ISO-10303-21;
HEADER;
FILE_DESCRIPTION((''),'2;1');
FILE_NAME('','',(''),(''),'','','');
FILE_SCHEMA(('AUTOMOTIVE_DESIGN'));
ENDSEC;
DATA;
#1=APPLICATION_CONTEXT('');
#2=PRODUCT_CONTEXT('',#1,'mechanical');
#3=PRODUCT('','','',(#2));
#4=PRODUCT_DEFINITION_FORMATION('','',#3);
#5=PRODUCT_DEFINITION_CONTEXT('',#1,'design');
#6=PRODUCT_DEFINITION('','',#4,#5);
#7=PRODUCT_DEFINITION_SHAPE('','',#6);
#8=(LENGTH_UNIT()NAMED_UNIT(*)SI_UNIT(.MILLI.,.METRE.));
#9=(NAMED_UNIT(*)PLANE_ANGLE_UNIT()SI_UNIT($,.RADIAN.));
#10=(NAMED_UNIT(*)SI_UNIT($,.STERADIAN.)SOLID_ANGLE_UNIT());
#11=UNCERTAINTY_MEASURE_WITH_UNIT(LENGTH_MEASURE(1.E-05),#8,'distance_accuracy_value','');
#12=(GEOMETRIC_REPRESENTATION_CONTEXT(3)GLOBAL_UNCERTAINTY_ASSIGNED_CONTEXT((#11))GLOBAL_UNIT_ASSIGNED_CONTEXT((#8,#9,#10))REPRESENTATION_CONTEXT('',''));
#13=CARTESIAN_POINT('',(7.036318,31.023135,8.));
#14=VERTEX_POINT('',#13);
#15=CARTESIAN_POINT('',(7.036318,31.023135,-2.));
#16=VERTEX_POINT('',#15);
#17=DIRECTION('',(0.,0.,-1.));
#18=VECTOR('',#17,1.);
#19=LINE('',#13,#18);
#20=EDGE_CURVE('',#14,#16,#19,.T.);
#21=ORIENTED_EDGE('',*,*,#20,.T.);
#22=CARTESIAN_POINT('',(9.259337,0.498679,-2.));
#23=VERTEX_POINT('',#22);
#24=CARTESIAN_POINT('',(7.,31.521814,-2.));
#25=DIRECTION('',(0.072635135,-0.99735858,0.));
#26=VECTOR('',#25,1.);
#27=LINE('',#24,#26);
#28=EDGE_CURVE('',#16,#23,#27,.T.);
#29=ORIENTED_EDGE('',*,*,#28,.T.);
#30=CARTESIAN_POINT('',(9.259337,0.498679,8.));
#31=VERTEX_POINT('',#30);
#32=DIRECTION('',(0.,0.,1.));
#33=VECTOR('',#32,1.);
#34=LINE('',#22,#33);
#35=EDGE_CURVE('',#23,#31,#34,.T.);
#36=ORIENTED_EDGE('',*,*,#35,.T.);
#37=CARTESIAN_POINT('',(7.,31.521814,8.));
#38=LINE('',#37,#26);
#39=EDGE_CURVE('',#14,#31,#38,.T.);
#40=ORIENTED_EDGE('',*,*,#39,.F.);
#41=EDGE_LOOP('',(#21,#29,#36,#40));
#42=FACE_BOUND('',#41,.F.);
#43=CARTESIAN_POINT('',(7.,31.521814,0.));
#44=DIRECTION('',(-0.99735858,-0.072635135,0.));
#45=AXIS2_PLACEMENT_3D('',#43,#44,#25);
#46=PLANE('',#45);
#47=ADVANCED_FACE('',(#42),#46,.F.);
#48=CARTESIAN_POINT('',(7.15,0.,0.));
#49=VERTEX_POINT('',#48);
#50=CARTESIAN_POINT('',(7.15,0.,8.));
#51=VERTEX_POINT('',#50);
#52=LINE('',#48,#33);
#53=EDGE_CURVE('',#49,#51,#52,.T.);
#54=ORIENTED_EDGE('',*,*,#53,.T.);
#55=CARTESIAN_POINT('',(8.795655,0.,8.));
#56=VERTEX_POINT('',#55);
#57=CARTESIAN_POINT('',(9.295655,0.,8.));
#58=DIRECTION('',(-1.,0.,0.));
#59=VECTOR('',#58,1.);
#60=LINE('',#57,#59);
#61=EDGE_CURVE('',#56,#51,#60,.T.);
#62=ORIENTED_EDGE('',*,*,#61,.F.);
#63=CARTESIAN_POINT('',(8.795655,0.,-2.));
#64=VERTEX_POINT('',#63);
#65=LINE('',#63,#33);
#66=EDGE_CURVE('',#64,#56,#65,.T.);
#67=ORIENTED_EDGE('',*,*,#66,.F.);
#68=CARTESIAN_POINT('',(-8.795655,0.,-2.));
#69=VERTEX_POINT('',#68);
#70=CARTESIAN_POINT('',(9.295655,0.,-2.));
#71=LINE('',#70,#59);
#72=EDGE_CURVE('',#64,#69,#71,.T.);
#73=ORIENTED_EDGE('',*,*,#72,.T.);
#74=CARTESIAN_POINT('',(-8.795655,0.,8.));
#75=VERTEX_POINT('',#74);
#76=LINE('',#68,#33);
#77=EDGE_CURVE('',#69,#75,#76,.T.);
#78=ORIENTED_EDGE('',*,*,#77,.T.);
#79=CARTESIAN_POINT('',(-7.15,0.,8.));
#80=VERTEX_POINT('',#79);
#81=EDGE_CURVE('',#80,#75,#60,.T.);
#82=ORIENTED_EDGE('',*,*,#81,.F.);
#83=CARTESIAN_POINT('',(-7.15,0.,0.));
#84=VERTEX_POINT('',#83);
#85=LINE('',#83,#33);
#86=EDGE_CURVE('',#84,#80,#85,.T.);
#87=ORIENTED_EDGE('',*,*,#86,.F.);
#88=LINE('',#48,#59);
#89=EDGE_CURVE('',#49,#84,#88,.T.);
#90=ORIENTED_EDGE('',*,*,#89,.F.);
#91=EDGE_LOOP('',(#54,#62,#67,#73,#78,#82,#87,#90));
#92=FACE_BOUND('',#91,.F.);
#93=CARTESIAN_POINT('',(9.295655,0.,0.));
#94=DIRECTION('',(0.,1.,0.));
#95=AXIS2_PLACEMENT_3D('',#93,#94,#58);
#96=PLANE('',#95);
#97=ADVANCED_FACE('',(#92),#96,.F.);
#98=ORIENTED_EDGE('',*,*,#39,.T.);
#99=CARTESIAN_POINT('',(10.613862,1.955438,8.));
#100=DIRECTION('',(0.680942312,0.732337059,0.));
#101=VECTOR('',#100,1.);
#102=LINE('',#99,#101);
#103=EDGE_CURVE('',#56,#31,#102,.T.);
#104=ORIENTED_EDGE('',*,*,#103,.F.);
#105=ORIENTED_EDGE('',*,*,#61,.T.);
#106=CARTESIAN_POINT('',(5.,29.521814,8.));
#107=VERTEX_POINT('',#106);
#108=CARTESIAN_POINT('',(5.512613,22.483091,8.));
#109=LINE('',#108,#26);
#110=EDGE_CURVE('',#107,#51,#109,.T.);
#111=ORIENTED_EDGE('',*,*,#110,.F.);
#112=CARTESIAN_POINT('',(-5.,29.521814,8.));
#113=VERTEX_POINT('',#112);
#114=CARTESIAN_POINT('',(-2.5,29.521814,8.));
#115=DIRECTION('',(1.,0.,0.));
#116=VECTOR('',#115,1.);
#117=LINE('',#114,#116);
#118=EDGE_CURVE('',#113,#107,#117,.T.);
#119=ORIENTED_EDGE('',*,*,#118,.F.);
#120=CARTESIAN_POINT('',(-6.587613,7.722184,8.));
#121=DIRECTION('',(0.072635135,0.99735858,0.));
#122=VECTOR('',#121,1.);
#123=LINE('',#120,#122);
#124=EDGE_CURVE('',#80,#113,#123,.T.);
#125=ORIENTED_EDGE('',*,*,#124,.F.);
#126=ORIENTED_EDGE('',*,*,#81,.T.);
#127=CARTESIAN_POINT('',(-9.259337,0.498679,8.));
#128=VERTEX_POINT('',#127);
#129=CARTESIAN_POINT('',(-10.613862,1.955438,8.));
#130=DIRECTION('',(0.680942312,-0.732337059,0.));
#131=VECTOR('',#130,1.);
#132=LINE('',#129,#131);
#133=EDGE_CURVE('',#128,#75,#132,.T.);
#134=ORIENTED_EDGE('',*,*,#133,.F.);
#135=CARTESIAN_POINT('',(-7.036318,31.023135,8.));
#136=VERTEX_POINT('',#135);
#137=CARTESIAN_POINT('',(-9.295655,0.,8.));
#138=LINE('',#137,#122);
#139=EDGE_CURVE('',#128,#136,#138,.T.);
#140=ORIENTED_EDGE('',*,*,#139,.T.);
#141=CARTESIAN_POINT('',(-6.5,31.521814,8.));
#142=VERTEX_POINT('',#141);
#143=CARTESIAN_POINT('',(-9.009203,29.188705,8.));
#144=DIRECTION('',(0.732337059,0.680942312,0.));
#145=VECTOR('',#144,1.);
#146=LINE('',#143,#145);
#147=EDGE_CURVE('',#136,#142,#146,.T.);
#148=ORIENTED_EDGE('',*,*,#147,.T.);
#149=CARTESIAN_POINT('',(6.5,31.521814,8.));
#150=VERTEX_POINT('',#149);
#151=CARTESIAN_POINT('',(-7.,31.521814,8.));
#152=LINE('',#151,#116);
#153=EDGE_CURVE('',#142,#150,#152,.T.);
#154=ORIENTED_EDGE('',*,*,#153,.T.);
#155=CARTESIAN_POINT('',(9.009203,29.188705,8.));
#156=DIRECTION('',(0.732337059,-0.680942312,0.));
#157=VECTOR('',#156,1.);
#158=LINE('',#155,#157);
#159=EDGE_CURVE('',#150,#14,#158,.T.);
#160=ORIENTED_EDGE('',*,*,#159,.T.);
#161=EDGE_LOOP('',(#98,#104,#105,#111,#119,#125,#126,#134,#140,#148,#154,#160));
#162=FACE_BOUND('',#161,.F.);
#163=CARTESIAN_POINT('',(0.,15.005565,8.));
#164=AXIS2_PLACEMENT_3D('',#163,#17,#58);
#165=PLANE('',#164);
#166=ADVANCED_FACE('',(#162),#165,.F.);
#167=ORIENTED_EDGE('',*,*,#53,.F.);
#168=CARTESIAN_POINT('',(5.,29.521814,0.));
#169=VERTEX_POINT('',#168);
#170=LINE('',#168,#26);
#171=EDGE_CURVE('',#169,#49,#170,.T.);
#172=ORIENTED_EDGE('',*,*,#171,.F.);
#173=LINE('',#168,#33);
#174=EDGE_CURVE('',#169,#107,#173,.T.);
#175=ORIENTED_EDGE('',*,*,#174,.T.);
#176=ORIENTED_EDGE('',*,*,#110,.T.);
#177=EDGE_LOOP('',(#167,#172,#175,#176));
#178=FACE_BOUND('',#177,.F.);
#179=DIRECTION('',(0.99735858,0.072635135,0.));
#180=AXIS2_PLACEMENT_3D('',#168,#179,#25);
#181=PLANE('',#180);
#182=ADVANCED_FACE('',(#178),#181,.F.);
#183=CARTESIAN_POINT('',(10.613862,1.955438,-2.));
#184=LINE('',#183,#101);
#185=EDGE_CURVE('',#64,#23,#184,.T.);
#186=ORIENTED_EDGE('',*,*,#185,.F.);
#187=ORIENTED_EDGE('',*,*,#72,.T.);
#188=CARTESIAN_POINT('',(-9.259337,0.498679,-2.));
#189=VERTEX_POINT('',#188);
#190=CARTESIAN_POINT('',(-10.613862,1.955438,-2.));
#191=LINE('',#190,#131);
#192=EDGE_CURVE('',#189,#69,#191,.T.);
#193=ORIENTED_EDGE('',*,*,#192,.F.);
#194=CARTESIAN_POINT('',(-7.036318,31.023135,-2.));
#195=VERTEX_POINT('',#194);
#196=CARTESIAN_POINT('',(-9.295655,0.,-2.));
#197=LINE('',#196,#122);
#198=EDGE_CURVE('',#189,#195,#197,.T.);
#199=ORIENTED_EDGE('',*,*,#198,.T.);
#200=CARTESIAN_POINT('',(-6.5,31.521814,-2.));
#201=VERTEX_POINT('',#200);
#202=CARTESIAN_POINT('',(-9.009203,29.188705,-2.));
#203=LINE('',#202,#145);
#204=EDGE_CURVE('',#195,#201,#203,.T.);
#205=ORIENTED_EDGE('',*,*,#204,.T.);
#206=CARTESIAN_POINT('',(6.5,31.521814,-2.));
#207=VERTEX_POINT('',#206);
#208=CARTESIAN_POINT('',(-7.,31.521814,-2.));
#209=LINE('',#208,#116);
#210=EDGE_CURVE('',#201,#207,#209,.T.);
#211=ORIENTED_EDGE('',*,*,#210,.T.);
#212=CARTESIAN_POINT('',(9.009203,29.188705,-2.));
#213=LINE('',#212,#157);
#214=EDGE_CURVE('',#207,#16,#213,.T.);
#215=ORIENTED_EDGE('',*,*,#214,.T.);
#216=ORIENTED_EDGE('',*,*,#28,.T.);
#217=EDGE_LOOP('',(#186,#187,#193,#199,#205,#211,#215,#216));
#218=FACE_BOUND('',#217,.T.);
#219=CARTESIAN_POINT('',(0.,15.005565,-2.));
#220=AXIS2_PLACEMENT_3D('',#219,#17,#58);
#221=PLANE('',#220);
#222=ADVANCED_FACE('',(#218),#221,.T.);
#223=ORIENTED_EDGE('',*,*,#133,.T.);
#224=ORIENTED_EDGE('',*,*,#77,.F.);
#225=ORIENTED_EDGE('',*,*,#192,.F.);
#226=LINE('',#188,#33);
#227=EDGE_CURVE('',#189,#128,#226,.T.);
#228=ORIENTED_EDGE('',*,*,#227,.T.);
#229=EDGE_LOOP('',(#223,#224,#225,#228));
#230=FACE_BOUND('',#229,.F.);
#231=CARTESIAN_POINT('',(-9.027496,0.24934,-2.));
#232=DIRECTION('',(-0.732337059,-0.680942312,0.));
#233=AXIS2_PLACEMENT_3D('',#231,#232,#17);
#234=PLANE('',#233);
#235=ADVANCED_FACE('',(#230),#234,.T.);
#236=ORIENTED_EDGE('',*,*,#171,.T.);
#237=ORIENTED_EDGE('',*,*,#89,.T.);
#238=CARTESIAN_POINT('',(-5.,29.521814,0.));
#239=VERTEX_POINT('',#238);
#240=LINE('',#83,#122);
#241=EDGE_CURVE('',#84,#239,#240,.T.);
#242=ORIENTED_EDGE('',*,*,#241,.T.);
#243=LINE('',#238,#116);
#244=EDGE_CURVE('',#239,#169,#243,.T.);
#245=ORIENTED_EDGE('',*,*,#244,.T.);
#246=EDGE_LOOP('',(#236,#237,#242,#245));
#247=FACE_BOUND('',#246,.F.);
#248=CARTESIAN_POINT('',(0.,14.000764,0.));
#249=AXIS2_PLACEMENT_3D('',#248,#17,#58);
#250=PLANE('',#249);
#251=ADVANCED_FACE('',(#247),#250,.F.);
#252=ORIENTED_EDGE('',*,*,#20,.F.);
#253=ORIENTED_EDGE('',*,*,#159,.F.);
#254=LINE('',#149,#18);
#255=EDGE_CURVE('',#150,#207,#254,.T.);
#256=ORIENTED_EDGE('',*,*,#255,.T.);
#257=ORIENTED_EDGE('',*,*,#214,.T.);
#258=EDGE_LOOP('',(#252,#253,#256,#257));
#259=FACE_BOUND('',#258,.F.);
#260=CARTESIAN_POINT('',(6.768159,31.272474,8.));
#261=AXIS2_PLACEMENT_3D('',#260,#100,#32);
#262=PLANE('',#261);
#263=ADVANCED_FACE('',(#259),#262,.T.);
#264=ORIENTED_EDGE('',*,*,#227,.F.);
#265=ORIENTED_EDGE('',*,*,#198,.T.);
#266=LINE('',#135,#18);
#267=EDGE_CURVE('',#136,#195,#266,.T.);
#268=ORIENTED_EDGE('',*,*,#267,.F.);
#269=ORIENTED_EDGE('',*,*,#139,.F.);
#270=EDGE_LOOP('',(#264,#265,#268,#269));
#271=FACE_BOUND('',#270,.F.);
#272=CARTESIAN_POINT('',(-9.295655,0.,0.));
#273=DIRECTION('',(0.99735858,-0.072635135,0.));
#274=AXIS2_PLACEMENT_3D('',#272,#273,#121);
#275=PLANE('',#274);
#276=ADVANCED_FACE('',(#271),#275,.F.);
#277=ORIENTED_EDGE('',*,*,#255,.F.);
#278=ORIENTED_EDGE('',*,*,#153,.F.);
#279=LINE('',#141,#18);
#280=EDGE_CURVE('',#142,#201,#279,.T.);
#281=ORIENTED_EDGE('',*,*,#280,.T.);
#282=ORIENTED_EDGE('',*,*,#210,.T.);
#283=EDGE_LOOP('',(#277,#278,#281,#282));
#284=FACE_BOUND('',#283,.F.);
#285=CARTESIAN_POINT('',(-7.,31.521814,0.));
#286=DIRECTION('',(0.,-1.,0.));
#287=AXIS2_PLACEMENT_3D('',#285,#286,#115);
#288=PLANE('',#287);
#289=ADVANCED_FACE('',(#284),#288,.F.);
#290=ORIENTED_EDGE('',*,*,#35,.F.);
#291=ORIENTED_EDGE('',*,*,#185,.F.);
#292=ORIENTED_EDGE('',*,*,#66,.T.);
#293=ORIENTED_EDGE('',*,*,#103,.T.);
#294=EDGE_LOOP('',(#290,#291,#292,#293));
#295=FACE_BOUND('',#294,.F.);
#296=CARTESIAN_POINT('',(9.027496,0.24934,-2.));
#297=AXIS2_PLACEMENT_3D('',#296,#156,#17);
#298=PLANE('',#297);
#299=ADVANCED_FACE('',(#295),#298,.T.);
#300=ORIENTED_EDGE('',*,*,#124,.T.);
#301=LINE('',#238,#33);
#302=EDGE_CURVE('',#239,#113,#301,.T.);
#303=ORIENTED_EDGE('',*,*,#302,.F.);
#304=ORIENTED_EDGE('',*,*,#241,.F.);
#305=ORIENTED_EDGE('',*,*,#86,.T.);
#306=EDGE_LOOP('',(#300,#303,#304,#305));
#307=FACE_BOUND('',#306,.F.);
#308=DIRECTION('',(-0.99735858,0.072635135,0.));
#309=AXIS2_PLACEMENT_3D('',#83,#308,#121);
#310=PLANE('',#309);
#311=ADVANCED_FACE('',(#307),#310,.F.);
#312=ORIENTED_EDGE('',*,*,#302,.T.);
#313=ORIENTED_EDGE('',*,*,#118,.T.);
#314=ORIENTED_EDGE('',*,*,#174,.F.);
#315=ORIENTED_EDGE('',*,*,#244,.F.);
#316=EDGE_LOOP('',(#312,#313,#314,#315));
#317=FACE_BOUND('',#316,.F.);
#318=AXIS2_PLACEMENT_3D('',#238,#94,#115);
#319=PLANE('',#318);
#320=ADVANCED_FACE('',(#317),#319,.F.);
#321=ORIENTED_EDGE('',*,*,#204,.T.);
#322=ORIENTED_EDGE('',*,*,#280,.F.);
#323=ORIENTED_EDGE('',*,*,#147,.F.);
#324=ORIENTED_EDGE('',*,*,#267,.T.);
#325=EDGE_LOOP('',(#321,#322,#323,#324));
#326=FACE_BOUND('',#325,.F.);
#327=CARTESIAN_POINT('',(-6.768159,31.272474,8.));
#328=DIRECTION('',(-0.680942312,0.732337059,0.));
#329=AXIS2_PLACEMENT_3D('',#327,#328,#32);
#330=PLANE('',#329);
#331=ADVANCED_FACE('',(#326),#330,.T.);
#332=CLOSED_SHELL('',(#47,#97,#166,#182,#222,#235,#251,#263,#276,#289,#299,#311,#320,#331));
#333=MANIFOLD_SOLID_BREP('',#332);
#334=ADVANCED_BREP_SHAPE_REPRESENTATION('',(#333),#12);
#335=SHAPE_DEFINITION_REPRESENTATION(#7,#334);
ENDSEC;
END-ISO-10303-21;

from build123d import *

# Parameters (mm, degrees)
PAD_DEPTH      = 8
PAD_DEPTH_BACK = 2
POCKET_DEPTH   = 8.001
CHAMFER_SIZE   = 0.5


with BuildPart() as part:
    # Sketch001 → Pad (new body, two sides)
    with BuildSketch(Plane.XY) as pad_sk:
        Polygon((-9.295655, 0), (-7, 31.521814), (7, 31.521814), (9.295655, 0), align=None)
    extrude(amount=PAD_DEPTH)
    extrude(pad_sk.sketch, amount=-PAD_DEPTH_BACK)

    # Sketch → Pocket (cut, through all)
    with BuildSketch(Plane.XY):
        Polygon((-7.15, 0), (-5, 29.521814), (5, 29.521814), (7.15, 0), align=None)
    extrude(amount=POCKET_DEPTH, mode=Mode.SUBTRACT)

    # Chamfer
    chamfer_edges = [part.edges().sort_by_distance(p)[0] for p in [
        (7, 31.521814, 3),
        (-7, 31.521814, 3),
        (-9.295655, 0, 3),
        (9.295655, 0, 3),
    ]]
    chamfer(chamfer_edges, length=CHAMFER_SIZE)


solid = part.part
